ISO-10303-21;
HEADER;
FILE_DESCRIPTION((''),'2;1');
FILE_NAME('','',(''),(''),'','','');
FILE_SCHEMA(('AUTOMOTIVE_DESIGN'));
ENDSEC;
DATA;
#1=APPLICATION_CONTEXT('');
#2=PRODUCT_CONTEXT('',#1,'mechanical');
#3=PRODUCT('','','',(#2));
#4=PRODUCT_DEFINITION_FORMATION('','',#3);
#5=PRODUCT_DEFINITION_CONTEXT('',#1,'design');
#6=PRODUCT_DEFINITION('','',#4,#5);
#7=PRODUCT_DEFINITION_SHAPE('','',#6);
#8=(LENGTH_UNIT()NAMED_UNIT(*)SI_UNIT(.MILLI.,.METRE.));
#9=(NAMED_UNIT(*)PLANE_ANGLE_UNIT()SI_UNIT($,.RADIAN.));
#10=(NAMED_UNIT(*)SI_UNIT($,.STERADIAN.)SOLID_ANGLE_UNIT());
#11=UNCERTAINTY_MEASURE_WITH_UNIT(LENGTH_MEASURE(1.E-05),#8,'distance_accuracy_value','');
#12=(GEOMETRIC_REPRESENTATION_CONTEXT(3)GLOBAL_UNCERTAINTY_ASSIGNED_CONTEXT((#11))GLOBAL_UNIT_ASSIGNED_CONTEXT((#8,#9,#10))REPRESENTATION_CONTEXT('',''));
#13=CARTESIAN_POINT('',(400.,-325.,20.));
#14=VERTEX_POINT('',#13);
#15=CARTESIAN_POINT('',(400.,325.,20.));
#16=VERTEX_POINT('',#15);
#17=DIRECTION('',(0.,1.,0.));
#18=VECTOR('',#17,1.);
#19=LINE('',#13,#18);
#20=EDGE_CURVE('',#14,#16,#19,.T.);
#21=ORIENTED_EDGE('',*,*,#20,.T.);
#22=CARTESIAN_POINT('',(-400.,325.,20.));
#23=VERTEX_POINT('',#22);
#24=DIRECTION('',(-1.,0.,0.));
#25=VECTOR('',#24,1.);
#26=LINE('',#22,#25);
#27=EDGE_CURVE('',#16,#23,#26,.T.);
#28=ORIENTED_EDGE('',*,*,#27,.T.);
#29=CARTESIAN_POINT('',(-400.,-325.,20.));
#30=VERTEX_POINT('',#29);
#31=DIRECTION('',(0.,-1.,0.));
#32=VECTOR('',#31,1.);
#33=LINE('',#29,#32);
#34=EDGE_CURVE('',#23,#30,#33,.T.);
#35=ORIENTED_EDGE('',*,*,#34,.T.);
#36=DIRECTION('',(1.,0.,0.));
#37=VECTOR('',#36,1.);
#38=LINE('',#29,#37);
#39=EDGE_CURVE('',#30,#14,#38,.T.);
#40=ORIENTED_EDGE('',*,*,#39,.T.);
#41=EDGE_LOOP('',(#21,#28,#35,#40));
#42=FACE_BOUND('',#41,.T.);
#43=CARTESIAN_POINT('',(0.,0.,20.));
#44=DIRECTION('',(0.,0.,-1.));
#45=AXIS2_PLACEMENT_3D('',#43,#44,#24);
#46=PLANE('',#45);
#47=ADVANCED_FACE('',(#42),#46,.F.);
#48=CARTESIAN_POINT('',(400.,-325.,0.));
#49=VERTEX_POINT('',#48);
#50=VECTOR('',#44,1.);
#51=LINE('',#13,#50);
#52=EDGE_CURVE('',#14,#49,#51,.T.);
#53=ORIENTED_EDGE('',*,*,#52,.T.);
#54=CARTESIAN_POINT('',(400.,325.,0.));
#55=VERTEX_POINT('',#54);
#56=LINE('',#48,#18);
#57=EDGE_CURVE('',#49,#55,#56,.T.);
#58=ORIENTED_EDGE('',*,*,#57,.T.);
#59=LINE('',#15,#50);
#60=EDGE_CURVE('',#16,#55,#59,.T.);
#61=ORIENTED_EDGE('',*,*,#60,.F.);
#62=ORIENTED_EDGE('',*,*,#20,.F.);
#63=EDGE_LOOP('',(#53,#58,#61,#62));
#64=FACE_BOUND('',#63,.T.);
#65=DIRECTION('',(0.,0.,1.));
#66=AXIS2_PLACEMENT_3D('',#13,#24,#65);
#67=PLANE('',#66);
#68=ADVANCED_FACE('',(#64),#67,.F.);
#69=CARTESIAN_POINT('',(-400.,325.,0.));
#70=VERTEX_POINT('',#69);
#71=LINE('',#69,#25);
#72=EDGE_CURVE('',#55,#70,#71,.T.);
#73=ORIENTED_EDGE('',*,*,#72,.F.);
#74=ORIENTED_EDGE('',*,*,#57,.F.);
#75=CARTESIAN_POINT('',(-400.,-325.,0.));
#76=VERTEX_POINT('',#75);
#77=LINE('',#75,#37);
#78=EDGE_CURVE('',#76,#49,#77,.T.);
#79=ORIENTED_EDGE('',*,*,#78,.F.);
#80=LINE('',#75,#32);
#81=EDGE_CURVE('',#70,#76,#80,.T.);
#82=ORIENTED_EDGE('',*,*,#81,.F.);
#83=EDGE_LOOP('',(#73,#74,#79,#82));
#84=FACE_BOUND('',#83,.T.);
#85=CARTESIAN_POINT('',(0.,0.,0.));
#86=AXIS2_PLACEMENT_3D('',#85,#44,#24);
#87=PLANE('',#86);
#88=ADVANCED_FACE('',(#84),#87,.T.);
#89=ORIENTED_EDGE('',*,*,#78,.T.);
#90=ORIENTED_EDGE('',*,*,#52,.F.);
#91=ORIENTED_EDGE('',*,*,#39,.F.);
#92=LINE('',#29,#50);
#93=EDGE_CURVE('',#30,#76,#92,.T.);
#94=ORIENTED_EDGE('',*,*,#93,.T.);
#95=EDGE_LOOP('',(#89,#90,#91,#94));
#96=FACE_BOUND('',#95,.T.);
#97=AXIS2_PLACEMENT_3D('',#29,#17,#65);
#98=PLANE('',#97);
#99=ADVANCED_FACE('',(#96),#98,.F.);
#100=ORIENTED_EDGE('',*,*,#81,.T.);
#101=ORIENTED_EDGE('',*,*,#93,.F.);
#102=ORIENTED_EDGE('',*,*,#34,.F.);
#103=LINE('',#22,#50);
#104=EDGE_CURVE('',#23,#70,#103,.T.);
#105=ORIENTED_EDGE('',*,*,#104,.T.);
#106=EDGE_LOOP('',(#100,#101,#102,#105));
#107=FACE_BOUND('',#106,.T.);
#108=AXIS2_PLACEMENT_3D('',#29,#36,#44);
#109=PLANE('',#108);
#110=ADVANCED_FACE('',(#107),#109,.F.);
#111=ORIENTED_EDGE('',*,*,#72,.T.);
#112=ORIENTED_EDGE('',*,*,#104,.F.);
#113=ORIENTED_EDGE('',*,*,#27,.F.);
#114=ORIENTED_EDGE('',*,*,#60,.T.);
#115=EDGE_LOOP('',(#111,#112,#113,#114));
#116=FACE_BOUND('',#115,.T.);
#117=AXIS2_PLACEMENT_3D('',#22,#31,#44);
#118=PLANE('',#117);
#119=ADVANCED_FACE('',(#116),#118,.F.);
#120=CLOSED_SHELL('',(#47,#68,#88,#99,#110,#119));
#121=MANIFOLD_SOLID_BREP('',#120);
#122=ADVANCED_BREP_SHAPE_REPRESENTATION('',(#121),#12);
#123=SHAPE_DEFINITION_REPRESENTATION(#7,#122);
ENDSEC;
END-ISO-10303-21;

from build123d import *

# Parameters (mm, degrees)
SKETCH_1_W      = 800
SKETCH_1_H      = 650
EXTRUDE_1_DEPTH = 20


with BuildPart() as part:
    # 草图1 → 凸台-拉伸1 (new body)
    with BuildSketch(Plane.XY):
        Rectangle(SKETCH_1_W, SKETCH_1_H)
    extrude(amount=EXTRUDE_1_DEPTH)


solid = part.part
